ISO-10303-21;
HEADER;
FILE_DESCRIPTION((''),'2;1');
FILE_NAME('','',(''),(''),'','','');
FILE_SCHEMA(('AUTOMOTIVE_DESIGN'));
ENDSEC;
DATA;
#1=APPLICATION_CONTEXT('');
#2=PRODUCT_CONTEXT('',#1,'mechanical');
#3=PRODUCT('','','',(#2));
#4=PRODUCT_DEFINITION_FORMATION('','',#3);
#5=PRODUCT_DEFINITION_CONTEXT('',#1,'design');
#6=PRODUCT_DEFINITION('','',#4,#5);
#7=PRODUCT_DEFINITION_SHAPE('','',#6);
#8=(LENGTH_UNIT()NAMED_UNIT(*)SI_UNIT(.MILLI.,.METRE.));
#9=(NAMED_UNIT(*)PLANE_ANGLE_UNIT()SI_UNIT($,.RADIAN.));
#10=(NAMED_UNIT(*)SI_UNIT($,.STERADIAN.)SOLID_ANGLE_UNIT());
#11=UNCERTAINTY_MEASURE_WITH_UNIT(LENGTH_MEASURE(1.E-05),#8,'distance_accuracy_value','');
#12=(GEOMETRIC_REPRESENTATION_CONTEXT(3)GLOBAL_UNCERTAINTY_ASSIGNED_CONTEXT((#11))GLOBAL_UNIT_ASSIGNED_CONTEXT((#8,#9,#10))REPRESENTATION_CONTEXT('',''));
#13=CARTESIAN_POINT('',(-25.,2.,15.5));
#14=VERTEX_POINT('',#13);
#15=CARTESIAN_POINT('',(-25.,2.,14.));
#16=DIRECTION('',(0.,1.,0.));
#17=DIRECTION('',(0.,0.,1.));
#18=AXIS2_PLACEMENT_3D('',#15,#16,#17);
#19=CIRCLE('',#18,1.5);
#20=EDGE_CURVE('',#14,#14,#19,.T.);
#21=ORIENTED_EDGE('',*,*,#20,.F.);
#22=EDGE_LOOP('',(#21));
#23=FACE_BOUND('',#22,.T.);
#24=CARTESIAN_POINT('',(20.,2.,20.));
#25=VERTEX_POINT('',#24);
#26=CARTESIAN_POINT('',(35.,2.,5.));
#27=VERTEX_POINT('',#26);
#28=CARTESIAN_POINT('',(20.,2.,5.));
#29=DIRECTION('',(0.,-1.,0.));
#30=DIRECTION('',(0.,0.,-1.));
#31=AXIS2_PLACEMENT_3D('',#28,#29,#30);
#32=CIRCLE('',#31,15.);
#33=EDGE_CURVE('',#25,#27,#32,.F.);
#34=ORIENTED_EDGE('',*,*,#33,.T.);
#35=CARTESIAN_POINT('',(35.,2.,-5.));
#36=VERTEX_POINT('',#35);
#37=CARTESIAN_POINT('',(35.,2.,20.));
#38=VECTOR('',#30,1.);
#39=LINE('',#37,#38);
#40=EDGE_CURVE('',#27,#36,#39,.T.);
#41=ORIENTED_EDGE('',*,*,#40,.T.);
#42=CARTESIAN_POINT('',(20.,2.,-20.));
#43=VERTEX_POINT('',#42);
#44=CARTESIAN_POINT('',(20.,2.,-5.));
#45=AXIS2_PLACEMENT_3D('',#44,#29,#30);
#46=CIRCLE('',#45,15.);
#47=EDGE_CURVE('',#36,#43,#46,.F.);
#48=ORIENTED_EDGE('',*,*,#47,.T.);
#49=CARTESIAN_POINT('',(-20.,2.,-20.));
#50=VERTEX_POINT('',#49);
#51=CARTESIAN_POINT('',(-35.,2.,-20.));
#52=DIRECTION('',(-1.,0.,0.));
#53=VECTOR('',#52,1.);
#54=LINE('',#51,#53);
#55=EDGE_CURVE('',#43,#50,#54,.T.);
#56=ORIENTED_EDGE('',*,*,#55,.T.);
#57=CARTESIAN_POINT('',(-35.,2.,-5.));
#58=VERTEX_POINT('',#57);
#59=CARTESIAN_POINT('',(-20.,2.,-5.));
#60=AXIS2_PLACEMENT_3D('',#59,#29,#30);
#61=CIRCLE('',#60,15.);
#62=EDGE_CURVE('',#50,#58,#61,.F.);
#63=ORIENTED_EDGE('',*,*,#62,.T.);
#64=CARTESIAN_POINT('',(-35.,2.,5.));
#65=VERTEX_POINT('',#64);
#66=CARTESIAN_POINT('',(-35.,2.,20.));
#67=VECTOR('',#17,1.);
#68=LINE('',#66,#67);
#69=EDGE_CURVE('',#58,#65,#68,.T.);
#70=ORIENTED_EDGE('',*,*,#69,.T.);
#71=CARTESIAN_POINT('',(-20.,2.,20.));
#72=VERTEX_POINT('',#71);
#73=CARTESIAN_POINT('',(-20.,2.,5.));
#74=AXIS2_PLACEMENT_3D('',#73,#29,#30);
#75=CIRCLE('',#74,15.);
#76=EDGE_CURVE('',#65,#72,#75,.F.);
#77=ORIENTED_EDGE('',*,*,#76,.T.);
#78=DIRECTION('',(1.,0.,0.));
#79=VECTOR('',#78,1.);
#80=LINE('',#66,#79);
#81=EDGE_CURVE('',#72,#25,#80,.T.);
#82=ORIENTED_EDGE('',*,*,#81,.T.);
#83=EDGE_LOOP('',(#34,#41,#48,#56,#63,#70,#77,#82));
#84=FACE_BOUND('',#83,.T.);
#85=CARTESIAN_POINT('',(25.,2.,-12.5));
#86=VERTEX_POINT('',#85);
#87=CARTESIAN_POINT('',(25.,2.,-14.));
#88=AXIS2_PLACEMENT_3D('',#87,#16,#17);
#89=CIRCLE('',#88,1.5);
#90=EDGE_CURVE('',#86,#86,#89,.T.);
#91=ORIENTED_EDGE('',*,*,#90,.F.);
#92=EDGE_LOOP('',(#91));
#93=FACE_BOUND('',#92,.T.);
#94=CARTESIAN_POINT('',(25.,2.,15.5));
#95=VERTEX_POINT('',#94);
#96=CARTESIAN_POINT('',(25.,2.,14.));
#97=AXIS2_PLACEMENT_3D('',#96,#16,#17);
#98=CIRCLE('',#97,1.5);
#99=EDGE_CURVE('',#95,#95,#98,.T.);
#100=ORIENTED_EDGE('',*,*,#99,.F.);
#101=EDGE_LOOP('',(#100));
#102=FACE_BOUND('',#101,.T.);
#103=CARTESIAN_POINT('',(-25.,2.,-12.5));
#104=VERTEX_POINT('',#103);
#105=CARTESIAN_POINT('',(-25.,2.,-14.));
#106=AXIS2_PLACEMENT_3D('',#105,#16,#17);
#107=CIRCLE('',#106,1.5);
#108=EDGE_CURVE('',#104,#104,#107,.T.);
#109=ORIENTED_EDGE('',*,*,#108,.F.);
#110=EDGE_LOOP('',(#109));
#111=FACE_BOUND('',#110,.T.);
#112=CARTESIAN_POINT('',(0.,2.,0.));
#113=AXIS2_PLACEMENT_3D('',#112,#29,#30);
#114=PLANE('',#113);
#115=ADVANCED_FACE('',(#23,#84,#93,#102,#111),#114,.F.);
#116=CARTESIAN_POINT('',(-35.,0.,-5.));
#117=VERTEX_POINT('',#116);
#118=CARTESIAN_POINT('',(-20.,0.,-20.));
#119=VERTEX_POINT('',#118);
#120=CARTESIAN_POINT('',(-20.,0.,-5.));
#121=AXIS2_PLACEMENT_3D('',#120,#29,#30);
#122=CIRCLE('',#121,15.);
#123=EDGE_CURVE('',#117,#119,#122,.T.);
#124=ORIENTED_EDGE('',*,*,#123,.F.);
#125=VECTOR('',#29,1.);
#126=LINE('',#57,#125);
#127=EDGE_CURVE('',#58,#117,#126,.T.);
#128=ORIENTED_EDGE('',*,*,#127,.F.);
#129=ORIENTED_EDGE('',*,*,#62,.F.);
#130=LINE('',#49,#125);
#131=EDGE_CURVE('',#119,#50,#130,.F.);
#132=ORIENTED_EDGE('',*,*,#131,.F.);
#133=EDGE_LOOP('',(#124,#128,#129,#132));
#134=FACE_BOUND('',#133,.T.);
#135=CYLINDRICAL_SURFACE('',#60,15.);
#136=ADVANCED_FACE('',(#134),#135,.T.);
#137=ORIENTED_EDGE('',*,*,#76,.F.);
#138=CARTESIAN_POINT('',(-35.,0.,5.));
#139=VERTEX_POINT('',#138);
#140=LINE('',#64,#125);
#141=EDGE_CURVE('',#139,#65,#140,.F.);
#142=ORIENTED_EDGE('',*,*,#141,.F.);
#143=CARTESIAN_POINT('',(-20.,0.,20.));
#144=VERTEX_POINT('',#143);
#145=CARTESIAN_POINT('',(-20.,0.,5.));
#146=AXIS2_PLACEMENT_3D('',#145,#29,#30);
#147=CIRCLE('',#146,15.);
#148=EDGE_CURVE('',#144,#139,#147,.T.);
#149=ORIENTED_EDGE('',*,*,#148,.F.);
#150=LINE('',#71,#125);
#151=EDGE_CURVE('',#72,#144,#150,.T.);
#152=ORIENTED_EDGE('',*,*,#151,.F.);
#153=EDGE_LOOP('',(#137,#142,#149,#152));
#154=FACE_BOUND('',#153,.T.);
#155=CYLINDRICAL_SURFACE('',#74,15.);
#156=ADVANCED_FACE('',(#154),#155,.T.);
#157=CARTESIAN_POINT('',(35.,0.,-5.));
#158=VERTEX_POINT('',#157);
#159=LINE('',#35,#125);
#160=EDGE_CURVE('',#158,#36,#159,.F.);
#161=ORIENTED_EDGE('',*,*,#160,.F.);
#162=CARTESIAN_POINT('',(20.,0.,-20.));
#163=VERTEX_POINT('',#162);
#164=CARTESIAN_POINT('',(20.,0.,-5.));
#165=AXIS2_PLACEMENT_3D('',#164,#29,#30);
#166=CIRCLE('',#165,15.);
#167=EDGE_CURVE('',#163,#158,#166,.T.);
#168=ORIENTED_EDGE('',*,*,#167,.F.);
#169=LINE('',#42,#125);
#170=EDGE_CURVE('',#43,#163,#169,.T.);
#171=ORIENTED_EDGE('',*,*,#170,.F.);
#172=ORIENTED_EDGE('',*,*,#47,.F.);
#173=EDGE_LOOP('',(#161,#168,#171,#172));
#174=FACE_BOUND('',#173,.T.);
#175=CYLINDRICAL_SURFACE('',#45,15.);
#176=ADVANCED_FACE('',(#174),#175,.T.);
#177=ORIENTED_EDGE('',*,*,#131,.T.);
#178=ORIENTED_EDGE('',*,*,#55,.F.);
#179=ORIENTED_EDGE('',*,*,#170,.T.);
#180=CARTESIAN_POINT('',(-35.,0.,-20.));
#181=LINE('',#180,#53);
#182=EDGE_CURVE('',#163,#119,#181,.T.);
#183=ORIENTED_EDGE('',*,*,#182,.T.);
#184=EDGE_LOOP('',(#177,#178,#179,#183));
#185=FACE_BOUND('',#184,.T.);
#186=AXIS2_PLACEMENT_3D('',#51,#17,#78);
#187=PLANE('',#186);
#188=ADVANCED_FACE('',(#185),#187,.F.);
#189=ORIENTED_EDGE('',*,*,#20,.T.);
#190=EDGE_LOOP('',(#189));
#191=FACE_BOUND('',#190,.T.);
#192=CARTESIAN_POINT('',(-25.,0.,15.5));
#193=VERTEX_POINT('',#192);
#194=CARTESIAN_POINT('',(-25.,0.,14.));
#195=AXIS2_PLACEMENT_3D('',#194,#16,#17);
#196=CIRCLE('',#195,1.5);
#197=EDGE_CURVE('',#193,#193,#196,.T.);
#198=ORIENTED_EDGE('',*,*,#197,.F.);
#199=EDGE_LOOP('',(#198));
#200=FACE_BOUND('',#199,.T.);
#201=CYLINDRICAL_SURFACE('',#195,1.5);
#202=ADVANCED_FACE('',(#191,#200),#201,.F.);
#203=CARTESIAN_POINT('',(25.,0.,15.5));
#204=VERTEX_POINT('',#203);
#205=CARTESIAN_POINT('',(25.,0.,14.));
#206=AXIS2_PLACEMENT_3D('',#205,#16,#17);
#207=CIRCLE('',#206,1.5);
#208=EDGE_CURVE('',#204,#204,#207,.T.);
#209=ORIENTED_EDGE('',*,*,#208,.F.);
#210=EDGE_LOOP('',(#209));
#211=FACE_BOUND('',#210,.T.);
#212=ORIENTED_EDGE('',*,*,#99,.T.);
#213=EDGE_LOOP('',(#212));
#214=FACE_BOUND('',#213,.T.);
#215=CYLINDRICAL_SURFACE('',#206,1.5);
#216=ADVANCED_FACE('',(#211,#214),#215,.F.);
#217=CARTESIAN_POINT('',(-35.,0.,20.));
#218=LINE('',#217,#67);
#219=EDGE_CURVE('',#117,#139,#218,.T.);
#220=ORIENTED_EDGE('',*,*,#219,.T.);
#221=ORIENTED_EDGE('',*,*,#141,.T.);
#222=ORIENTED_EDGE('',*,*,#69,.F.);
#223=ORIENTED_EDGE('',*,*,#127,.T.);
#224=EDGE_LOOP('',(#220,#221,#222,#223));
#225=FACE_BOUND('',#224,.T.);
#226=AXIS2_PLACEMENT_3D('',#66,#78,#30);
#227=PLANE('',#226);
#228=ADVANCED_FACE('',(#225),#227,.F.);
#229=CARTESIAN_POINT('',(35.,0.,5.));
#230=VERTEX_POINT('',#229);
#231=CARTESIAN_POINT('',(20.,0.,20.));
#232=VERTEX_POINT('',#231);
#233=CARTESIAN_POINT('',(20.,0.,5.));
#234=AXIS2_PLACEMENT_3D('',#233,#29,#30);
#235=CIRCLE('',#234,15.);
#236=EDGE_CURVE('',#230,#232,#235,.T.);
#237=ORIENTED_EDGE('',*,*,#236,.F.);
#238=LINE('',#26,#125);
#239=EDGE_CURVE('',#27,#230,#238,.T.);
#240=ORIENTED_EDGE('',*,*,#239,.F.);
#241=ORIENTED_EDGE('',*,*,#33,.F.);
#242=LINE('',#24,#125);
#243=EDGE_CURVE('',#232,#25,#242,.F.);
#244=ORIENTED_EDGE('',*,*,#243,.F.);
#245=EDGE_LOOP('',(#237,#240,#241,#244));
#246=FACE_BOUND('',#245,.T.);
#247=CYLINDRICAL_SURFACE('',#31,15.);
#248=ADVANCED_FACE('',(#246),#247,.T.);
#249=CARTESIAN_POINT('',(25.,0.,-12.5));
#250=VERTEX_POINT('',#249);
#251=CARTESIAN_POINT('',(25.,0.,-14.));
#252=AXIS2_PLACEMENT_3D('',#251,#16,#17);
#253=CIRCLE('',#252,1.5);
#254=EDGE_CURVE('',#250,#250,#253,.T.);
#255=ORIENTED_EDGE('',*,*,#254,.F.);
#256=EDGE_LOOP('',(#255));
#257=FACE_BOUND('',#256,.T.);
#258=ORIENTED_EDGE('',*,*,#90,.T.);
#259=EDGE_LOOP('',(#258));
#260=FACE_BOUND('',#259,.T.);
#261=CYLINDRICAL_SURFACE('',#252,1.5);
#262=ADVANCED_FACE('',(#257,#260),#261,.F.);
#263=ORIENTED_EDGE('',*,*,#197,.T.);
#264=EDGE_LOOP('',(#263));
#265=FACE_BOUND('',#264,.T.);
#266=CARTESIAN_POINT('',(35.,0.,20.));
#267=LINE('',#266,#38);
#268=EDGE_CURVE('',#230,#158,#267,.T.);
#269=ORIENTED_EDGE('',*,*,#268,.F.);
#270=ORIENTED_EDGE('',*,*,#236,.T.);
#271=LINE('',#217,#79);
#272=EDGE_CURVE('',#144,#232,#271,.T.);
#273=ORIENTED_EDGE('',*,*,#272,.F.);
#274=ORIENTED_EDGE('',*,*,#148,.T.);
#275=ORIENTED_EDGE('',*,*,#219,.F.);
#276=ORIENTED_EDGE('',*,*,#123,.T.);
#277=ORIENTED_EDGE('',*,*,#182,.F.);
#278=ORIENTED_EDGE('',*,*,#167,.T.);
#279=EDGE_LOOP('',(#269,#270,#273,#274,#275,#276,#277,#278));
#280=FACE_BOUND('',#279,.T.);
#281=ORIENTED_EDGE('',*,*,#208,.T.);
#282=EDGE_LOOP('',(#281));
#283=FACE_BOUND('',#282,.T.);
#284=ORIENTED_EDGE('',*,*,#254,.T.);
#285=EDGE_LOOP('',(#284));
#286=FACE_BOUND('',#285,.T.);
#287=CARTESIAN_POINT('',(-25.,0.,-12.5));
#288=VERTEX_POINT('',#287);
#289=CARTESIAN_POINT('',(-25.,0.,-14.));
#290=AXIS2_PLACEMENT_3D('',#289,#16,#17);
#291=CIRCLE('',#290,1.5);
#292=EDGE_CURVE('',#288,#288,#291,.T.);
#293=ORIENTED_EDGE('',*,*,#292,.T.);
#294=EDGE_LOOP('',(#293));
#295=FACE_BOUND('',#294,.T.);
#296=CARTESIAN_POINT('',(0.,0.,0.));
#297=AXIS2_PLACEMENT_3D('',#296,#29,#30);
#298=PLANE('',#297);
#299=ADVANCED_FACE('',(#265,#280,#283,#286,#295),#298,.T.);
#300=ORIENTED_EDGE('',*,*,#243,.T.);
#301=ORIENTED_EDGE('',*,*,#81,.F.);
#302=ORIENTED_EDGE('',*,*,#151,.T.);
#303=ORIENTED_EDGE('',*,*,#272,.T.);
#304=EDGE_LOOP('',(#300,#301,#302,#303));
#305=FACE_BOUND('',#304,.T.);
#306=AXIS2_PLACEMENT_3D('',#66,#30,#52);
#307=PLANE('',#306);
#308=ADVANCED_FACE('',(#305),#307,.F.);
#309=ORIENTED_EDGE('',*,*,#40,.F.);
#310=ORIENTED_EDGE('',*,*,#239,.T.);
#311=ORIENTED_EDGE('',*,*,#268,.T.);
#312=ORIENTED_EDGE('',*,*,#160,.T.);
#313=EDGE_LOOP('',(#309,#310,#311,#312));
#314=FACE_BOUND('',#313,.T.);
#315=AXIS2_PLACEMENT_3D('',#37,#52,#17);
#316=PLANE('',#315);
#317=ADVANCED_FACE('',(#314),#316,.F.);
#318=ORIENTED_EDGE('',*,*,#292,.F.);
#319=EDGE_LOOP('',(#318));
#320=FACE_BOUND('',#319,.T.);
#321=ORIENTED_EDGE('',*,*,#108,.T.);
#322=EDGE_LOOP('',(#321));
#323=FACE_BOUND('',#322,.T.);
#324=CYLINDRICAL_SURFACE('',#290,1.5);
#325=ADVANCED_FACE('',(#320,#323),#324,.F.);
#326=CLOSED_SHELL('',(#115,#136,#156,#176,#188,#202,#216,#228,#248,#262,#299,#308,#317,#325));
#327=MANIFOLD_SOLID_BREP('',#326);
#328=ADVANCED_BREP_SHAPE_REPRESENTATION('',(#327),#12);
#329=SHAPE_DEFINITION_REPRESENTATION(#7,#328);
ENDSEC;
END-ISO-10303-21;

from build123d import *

# Parameters (mm, degrees)
SKETCH_1_W          = 70
SKETCH_1_H          = 40
EXTRUDE_1_DEPTH     = 2
FILLET_1_R          = 15
SKETCH_2_R          = 1.5
CUT_EXTRUDE_1_DEPTH = 41.360872141


with BuildPart() as part:
    # 草图1 → 凸台-拉伸1 (new body)
    with BuildSketch(Plane(origin=(0, 0, 0), x_dir=(1, 0, 0), z_dir=(0, 1, 0))):
        Rectangle(SKETCH_1_W, SKETCH_1_H)
    extrude(amount=EXTRUDE_1_DEPTH)

    # 圆角1
    fillet_1_edges = [part.edges().sort_by_distance(p)[0] for p in [
        (35, 1, 20),
        (-35, 1, 20),
        (-35, 1, -20),
        (35, 1, -20),
    ]]
    fillet(fillet_1_edges, radius=FILLET_1_R)

    # 草图2 → 切除-拉伸1 (cut, through all)
    with BuildSketch(Plane(origin=(0, 2, 0), x_dir=(1, 0, 0), z_dir=(0, 1, 0))):
        with Locations(Location((-25, 14, 0), (0, 0, 270))):
            Circle(SKETCH_2_R)
        with Locations(Location((25, 14, 0), (0, 0, 270))):
            Circle(SKETCH_2_R)
        with Locations(Location((25, -14, 0), (0, 0, 270))):
            Circle(SKETCH_2_R)
        with Locations(Location((-25, -14, 0), (0, 0, 270))):
            Circle(SKETCH_2_R)
    extrude(amount=-CUT_EXTRUDE_1_DEPTH, mode=Mode.SUBTRACT)


solid = part.part
